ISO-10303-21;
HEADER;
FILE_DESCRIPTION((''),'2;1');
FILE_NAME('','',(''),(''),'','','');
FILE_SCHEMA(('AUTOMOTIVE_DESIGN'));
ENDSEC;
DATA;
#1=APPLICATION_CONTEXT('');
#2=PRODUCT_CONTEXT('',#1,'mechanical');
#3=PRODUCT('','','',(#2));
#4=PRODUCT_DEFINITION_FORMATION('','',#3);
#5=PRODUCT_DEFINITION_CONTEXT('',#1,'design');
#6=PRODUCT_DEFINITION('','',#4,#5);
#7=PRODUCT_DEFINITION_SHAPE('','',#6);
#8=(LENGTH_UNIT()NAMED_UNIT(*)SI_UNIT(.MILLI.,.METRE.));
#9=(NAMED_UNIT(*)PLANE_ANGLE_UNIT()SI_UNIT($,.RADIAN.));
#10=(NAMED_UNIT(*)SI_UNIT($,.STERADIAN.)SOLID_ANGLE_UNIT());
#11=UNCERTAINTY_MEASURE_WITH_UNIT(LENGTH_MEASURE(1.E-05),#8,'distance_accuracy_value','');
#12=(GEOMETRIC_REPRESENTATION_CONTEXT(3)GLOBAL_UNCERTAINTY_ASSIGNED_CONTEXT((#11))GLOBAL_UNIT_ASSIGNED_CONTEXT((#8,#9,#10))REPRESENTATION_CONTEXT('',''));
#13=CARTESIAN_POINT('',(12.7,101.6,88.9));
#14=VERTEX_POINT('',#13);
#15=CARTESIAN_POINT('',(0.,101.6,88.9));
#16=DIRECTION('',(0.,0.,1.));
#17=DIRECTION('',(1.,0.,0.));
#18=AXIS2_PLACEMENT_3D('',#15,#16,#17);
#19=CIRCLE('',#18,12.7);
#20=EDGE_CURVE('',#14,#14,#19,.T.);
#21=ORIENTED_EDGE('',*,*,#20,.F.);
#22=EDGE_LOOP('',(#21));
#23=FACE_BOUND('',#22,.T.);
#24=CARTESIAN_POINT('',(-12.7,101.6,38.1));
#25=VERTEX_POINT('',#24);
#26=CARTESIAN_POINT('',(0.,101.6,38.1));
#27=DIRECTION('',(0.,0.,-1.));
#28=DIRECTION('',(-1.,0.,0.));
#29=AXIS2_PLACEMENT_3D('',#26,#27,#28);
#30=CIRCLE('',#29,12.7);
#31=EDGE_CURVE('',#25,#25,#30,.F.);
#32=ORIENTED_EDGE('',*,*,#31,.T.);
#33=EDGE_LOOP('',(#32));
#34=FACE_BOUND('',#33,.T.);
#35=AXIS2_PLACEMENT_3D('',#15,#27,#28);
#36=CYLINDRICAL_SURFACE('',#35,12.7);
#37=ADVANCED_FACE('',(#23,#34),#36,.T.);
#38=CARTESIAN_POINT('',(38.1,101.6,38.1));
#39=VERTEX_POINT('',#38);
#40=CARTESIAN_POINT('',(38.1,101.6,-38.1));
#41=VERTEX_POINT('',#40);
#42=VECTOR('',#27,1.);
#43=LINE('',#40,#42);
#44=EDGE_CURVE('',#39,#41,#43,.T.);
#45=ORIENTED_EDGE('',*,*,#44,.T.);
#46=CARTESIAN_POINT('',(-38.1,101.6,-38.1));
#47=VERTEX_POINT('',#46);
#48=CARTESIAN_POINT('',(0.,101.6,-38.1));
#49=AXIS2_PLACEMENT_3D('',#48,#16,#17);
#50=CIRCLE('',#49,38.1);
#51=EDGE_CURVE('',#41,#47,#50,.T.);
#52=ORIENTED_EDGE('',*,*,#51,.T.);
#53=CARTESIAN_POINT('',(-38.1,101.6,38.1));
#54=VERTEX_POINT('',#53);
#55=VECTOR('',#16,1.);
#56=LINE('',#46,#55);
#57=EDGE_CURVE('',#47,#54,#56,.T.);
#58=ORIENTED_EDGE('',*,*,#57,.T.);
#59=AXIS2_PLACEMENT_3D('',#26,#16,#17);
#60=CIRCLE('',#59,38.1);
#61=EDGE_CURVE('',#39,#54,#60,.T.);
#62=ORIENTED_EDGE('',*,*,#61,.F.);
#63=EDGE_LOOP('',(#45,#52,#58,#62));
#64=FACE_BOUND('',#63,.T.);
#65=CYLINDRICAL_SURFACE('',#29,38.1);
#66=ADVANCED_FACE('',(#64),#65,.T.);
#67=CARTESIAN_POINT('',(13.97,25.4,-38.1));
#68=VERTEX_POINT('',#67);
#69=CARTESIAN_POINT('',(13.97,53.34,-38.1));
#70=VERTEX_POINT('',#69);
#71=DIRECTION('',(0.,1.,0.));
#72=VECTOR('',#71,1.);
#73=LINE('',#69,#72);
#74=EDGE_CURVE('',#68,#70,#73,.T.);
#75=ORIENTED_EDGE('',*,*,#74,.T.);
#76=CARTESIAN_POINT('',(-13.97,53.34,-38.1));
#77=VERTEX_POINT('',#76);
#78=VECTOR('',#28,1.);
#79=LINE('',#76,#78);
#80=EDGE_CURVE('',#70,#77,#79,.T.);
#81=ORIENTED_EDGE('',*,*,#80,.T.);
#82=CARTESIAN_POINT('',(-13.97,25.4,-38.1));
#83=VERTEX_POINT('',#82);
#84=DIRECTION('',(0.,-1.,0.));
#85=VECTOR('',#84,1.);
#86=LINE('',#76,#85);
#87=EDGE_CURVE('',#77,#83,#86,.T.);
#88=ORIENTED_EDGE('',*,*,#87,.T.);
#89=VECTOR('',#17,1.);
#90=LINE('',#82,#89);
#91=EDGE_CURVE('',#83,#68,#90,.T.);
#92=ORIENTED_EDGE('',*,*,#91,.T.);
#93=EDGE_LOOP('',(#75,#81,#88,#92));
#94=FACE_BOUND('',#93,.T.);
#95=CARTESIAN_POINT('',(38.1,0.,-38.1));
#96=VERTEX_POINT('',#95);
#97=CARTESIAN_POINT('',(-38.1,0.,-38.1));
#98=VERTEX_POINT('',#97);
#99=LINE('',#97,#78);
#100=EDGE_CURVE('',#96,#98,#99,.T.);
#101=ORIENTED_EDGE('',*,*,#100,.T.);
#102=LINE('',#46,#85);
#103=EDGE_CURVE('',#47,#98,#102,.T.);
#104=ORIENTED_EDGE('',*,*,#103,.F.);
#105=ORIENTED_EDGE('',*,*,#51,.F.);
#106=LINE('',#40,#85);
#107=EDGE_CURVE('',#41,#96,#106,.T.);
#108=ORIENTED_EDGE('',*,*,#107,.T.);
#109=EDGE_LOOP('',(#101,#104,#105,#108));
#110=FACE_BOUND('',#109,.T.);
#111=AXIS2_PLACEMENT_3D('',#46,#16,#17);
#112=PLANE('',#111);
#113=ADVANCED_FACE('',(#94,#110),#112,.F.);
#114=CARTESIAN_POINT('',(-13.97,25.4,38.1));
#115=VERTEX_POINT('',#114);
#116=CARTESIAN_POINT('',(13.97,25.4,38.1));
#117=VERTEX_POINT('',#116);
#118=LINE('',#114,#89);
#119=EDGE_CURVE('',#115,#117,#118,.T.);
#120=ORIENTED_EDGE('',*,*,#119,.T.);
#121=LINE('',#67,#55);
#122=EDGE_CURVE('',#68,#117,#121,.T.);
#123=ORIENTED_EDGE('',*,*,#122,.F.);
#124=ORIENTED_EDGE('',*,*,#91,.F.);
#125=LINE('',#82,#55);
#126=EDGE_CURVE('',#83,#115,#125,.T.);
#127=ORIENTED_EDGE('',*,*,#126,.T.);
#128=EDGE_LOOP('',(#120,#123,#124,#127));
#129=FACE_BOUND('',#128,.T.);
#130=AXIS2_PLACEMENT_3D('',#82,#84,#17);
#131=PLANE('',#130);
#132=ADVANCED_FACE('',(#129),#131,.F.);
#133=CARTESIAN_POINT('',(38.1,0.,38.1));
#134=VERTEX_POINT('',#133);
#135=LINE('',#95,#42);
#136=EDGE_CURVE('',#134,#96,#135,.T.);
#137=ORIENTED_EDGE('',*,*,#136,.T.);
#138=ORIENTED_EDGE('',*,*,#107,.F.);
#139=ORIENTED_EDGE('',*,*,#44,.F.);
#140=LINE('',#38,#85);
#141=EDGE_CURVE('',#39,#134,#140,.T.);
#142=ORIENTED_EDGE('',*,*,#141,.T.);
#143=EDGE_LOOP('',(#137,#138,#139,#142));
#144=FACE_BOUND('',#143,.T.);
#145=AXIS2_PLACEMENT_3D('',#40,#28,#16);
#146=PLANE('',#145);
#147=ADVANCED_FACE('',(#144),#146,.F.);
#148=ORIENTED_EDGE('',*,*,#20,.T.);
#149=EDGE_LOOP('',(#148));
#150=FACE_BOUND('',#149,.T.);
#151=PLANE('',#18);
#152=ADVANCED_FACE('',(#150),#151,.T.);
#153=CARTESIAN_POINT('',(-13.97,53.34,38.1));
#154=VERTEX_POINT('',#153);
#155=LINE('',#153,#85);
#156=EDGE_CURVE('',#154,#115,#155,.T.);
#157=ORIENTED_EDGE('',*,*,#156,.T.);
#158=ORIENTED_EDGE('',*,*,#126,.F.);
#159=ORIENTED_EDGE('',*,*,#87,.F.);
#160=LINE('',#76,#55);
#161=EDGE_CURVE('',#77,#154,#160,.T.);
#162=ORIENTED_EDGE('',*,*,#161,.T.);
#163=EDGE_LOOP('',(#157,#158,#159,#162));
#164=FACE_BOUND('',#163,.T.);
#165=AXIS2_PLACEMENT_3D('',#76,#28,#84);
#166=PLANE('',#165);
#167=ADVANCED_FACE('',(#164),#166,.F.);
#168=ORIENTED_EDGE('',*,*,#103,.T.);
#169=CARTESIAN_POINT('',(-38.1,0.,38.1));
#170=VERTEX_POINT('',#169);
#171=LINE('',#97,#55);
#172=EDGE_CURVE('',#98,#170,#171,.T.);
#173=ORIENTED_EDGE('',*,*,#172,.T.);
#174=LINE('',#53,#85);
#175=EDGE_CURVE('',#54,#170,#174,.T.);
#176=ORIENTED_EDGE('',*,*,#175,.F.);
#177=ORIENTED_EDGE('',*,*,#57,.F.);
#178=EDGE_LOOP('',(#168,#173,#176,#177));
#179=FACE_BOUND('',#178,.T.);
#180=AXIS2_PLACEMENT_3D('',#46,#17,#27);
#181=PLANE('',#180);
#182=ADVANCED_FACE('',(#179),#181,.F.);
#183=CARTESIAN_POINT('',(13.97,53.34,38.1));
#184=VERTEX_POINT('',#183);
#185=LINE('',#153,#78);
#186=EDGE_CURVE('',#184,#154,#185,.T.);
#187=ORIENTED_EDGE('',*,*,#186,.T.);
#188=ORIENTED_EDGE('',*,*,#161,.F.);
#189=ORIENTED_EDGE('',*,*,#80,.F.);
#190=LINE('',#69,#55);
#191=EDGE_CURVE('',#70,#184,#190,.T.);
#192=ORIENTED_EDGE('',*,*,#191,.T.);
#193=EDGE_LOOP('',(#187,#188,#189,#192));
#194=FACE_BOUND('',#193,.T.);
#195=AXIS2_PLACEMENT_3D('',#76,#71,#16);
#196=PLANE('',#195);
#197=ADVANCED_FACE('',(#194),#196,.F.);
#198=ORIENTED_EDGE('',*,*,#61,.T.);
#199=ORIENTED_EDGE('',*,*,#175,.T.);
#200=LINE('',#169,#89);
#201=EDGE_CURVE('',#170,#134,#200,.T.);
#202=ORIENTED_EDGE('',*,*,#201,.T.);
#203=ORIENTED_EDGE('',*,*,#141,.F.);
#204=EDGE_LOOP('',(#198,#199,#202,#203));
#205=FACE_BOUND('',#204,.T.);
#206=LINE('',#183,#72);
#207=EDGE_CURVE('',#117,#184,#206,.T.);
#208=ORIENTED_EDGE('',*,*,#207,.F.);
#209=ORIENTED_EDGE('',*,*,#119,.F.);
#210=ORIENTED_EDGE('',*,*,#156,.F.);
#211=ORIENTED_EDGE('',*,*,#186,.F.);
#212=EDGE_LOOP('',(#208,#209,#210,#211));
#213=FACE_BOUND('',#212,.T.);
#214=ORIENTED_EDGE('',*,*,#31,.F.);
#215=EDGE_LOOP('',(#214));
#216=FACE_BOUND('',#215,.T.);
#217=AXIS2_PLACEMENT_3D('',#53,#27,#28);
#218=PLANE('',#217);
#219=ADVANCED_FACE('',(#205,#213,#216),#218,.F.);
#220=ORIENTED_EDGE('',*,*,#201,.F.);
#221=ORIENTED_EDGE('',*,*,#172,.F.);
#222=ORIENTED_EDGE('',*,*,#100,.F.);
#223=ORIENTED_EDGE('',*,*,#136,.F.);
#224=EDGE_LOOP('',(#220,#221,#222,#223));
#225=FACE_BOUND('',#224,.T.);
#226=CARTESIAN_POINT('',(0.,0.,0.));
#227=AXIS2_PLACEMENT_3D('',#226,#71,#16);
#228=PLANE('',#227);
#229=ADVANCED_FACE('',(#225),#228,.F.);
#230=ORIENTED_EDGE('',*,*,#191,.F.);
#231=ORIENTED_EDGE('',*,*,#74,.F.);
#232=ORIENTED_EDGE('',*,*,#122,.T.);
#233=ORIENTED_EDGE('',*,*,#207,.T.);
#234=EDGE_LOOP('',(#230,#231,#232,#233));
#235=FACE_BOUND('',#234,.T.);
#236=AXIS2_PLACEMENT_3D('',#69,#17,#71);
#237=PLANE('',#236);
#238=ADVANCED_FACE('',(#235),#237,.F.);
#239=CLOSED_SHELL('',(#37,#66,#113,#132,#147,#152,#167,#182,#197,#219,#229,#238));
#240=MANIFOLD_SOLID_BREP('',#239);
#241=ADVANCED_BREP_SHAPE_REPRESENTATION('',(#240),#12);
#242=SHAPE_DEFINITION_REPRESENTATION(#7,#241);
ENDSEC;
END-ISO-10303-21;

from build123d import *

# Parameters (mm, degrees)
SKETCH1_W                = 76.2
SKETCH1_H                = 76.2
BOSS_EXTRUDE1_DEPTH      = 101.6
BOSS_EXTRUDE2_DEPTH      = 38.1
BOSS_EXTRUDE2_DEPTH_BACK = 38.1
SKETCH2_R                = 38.1
CUT_EXTRUDE1_DEPTH       = 150.730791756
CUT_EXTRUDE1_DEPTH_BACK  = 150.730791756
SKETCH3_W                = 27.94
SKETCH3_H                = 27.94
SKETCH4_R                = 12.7
BOSS_EXTRUDE3_DEPTH      = 88.9


with BuildPart() as part:
    # Sketch1 → Boss-Extrude1 (new body)
    with BuildSketch(Plane(origin=(0, 0, 0), x_dir=(1, 0, 0), z_dir=(0, 1, 0))):
        Rectangle(SKETCH1_W, SKETCH1_H)
    extrude(amount=BOSS_EXTRUDE1_DEPTH)

    # Sketch2 → Boss-Extrude2 (add, two sides: drawn at the far end of the back side and taken through both)
    with BuildSketch(Plane.XY.offset(-BOSS_EXTRUDE2_DEPTH_BACK)):
        with Locations((0, 101.6)):
            Circle(SKETCH2_R)
    extrude(amount=BOSS_EXTRUDE2_DEPTH + BOSS_EXTRUDE2_DEPTH_BACK)

    # Sketch3 → Cut-Extrude1 (cut, two sides: drawn at the far end of the back side and taken through both)
    with BuildSketch(Plane.XY.offset(-CUT_EXTRUDE1_DEPTH_BACK)):
        with Locations((0, 39.37)):
            Rectangle(SKETCH3_W, SKETCH3_H)
    extrude(amount=CUT_EXTRUDE1_DEPTH + CUT_EXTRUDE1_DEPTH_BACK, mode=Mode.SUBTRACT)

    # Sketch4 → Boss-Extrude3 (add)
    with BuildSketch(Plane.XY):
        with Locations(Location((0, 101.6, 0), (0, 0, 180))):
            Circle(SKETCH4_R)
    extrude(amount=BOSS_EXTRUDE3_DEPTH)


solid = part.part
